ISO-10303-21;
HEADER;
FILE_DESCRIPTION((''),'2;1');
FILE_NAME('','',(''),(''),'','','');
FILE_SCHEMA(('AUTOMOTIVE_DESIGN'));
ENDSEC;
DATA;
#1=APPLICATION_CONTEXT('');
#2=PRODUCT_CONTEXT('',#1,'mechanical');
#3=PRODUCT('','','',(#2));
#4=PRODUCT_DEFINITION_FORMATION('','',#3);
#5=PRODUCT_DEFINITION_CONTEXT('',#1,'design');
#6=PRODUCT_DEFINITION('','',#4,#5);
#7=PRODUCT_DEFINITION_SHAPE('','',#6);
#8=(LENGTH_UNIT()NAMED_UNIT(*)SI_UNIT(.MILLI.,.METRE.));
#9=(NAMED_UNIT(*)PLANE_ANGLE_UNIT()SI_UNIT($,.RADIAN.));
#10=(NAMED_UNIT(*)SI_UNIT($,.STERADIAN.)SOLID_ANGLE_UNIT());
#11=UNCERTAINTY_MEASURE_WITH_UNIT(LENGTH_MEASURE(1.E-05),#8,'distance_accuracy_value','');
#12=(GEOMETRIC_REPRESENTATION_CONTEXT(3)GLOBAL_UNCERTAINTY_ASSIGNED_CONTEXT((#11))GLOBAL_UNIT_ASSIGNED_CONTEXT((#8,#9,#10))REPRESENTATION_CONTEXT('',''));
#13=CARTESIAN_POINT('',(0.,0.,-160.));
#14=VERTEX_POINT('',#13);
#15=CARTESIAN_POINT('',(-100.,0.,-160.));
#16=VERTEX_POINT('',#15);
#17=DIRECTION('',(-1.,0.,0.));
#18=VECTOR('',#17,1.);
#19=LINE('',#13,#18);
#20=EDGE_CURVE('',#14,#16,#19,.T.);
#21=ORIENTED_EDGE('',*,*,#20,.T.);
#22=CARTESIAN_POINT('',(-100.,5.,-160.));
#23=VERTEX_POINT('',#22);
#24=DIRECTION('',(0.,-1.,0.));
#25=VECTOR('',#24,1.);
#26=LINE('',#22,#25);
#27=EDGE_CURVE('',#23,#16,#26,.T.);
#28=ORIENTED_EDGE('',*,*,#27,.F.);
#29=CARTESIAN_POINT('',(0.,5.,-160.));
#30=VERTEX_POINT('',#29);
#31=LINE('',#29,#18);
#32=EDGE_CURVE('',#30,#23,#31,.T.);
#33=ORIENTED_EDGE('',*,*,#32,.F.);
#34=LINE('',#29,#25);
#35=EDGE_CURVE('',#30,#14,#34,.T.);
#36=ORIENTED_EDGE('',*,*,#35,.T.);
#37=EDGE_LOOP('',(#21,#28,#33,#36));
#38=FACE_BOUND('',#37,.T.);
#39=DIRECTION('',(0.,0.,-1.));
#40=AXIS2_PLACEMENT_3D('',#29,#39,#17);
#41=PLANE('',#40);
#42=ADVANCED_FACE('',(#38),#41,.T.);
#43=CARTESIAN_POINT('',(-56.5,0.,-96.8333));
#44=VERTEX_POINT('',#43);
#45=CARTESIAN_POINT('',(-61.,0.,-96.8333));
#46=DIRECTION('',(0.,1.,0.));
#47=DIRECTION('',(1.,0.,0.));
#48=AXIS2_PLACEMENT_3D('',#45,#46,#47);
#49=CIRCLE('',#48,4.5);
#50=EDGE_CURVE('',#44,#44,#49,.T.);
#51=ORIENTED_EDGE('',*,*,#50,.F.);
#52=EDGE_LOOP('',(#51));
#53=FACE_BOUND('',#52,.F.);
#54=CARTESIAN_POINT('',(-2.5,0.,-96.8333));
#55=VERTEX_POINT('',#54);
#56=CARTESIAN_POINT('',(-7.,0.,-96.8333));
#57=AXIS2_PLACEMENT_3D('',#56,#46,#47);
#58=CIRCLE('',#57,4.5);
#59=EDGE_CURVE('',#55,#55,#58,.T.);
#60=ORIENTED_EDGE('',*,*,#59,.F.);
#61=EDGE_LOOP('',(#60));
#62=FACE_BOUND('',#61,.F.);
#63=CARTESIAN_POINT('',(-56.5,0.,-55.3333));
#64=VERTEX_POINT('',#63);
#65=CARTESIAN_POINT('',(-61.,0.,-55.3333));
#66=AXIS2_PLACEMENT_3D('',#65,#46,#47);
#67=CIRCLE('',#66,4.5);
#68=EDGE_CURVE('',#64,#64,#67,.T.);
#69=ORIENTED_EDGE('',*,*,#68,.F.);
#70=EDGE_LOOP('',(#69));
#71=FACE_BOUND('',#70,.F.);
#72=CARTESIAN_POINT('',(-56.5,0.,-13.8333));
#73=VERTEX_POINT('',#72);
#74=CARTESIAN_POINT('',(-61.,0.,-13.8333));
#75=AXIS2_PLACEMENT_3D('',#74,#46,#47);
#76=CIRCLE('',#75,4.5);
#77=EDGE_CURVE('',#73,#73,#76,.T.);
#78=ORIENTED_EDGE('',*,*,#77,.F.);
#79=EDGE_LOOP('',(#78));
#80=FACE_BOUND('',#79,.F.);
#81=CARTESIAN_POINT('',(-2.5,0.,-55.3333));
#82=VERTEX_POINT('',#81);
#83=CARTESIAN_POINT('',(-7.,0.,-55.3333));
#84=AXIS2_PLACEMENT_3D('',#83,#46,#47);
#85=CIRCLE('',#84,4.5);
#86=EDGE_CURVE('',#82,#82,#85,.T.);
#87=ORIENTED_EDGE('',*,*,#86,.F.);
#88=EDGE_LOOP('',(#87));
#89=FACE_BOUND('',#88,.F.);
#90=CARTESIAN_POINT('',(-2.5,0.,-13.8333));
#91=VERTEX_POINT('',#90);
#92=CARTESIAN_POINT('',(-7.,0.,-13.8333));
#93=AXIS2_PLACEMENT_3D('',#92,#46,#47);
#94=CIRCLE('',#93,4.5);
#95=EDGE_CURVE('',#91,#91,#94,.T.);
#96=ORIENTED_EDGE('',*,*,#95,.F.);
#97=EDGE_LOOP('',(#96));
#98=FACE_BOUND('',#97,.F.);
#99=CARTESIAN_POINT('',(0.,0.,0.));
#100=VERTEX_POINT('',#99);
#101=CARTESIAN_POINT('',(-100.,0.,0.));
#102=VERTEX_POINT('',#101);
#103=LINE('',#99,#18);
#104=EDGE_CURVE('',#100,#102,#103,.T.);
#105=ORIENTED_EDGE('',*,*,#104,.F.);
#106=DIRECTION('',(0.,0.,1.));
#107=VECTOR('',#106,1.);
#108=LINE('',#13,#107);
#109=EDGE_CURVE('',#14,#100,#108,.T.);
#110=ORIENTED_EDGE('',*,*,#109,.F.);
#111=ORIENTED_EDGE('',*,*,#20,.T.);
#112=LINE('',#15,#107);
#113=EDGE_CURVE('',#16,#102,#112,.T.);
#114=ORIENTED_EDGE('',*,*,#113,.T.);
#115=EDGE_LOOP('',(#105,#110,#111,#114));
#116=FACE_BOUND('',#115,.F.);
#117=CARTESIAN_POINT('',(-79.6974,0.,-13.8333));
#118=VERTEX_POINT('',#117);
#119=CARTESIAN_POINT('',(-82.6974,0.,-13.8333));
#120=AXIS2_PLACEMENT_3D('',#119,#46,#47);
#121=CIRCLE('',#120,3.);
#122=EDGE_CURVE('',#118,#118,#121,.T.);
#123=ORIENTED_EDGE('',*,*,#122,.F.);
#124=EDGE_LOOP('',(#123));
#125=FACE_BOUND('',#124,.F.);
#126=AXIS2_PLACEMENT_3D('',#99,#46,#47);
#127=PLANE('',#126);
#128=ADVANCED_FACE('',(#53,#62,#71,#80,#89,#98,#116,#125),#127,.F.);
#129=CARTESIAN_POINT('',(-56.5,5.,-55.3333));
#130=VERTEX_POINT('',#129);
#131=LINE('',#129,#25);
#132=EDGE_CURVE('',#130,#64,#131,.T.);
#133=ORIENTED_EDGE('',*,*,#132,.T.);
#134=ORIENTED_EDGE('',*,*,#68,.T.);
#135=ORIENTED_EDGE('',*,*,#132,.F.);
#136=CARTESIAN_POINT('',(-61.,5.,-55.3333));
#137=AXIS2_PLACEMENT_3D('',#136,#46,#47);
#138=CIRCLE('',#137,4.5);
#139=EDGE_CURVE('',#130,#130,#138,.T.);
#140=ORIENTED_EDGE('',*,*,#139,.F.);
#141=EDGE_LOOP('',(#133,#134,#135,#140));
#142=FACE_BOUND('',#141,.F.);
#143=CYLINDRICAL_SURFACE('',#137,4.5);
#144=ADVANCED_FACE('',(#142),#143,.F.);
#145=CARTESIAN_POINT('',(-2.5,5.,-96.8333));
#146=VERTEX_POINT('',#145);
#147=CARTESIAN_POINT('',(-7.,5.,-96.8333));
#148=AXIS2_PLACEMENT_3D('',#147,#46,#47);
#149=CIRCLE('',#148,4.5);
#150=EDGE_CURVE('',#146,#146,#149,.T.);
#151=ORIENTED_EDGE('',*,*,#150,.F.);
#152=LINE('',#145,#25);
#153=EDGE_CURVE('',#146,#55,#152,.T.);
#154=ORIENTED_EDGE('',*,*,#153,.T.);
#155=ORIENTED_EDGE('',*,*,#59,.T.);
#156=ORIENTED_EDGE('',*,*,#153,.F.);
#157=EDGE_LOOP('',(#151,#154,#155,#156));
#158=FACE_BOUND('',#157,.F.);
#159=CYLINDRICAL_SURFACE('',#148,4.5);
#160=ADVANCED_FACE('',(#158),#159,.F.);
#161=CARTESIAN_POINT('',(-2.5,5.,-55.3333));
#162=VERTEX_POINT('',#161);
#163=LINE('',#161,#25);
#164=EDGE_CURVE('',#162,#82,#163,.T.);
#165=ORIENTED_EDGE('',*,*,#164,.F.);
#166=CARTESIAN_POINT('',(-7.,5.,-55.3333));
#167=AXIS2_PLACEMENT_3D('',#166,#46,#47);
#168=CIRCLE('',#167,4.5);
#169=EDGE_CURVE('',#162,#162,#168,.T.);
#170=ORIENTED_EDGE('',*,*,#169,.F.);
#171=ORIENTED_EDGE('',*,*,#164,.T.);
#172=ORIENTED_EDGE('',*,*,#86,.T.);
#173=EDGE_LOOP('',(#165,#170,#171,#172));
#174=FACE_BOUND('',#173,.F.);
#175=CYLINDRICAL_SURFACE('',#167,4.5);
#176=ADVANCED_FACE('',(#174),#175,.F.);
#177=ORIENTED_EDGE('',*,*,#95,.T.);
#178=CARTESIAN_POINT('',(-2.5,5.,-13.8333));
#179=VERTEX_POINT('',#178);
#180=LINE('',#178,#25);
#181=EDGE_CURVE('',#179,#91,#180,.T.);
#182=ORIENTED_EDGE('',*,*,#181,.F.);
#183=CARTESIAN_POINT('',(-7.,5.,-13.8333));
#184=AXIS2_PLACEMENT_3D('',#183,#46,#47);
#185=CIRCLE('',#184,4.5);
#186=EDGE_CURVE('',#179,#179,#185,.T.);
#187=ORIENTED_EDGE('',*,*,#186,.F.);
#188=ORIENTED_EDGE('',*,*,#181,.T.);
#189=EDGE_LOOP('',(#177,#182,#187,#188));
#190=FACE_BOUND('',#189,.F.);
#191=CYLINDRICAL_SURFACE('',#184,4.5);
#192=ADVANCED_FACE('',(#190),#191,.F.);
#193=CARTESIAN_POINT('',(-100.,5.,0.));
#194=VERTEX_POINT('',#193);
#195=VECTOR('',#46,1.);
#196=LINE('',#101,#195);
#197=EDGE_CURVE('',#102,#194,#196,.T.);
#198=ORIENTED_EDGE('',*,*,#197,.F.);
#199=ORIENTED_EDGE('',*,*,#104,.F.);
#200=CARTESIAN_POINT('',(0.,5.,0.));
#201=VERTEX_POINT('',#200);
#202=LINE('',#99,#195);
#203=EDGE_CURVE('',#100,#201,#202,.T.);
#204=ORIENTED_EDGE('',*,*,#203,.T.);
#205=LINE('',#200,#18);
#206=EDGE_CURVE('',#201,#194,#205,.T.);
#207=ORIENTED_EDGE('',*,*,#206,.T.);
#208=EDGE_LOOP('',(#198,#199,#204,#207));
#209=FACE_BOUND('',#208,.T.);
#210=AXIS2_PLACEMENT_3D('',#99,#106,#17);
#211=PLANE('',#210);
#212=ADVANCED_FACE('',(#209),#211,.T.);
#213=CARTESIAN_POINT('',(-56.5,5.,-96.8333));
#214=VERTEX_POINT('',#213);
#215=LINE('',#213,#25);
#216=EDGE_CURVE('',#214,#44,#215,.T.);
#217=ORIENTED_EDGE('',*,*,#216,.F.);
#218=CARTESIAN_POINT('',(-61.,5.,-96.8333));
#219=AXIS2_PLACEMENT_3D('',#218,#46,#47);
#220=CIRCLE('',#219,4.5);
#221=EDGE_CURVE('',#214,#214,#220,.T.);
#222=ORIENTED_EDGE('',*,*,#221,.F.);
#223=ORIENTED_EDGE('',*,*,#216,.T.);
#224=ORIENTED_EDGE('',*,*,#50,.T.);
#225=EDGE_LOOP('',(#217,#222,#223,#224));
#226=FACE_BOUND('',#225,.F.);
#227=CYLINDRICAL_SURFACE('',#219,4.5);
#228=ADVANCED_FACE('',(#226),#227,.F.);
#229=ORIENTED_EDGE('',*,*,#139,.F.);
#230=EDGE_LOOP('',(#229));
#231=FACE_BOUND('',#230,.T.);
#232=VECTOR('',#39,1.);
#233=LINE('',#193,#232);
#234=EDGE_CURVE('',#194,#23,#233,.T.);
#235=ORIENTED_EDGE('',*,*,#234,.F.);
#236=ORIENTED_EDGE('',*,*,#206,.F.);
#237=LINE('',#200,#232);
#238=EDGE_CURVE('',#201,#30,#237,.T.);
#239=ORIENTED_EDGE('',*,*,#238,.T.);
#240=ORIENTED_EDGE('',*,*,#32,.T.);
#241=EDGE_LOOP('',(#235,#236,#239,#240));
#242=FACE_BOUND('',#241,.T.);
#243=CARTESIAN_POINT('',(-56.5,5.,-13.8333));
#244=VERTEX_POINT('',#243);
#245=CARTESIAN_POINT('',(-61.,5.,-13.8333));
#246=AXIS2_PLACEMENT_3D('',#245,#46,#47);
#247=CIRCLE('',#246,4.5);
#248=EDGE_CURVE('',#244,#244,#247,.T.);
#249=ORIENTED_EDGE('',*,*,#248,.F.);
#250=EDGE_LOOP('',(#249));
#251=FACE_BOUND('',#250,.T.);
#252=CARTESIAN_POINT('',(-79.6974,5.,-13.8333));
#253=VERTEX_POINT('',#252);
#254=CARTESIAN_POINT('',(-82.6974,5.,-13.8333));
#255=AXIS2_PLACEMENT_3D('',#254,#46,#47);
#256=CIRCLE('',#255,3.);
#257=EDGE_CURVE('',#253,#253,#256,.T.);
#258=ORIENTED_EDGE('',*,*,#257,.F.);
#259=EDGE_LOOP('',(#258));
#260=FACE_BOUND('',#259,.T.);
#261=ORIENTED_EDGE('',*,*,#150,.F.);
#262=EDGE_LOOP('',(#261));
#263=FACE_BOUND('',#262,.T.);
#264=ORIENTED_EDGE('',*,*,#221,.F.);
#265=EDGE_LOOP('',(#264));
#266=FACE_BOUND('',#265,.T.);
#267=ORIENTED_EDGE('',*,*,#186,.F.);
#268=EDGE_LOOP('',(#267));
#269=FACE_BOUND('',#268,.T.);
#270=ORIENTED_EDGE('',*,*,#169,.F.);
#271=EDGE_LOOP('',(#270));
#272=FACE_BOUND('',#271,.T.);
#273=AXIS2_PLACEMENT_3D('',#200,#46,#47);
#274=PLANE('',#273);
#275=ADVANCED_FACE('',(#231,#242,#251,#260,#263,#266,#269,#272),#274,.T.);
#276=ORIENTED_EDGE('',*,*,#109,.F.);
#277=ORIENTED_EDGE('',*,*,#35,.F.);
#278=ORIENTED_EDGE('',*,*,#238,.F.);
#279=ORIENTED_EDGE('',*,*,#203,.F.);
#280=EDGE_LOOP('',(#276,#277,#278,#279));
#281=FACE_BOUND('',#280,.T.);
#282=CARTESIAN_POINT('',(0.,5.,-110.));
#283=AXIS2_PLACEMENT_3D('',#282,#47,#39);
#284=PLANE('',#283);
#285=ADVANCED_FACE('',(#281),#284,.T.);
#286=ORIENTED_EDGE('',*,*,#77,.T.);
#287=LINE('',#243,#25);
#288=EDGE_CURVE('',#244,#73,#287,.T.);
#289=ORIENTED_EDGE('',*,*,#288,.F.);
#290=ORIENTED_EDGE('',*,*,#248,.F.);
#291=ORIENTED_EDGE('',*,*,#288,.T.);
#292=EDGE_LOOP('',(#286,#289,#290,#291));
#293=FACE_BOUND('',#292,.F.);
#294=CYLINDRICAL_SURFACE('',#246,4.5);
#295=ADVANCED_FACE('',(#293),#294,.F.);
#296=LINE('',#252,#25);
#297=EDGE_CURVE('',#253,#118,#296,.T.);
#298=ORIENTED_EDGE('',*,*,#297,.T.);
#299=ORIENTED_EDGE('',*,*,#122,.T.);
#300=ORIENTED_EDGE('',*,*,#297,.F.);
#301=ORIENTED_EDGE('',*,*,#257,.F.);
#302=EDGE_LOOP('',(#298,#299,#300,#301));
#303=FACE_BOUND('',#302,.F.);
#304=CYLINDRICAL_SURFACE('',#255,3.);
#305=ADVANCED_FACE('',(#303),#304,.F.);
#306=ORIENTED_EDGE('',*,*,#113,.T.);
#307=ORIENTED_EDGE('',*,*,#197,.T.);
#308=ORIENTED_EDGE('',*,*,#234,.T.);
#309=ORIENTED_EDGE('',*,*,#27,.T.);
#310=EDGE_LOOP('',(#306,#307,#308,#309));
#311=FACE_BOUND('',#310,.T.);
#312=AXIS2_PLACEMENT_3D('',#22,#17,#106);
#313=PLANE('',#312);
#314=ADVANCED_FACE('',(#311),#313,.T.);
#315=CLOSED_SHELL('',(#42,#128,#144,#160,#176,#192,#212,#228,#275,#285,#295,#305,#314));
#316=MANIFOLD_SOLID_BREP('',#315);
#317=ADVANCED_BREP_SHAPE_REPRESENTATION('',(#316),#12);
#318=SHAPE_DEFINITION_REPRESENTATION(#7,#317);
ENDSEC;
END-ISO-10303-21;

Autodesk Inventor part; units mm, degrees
ref_plane "YZ Plane" through (0, 0, 0) normal (1, 0, 0) x (0, 1, 0)
ref_plane "XZ Plane" through (0, 0, 0) normal (0, 1, 0) x (-1, 0, 0)
ref_plane "XY Plane" through (0, 0, 0) normal (0, 0, 1) x (1, 0, 0)
sketch "Sketch1" plane through (0, 0, 0) normal (0, 1, 0) x (-1, 0, 0)
  line L0 (0, 0) -> (100, 0)
  line L1 (100, 0) -> (100, -110)
  line L2 (100, -110) -> (0, -110)
  line L3 (0, -110) -> (0, 0)
  dimension "d0" = 100
  dimension "d1" = 110
extrude "Extrusion1" add sketch "Sketch1" along normal blind 5
sketch "Sketch2" plane through (0, 5, 0) normal (0, 1, 0) x (1, 0, 0)
  circle A0 centre (-7, 13.8333) radius 4.5
  line L0 (0, 0) -> (0, 110) projected
  line L1 (-100, 0) -> (0, 0) projected
  circle A1 centre (-7, 55.3333) radius 4.5
  circle A2 centre (-7, 96.8333) radius 4.5
  line L2 (-34, 0) -> (-34, 110)
  circle A3 centre (-61, 13.8333) radius 4.5
  circle A4 centre (-61, 55.3333) radius 4.5
  circle A5 centre (-61, 96.8333) radius 4.5
  circle A6 centre (-82.6974, 13.8333) radius 3
  dimension "d4" = 9
  dimension "d5" = 7
  dimension "d6" = 110
  dimension "d7" = 13.8333
  dimension "d10" = 41.5
  dimension "d19" = 27
  dimension "d20" = 6
extrude "Extrusion2" cut sketch "Sketch2" against normal blind 10
sketch "Sketch3" plane through (0, 5, 0) normal (0, 1, 0) x (1, 0, 0)
  line L0 (-100, 110) -> (0, 110) projected
  line L1 (-100, 110) -> (0, 110)
  line L2 (0, 110) -> (0, 160)
  line L3 (0, 160) -> (-100, 160)
  line L4 (-100, 160) -> (-100, 110)
  point P0 (0, 0)
  dimension "d21" = 50
extrude "Extrusion3" add sketch "Sketch3" against normal blind 5
equation "\"d7\" = -0.5 * d4 + 0.166667 * d6"
equation "\"d10\" = -1.5 * d4 + 0.5 * d6"
properties part number "HeaderWheelSupport"
